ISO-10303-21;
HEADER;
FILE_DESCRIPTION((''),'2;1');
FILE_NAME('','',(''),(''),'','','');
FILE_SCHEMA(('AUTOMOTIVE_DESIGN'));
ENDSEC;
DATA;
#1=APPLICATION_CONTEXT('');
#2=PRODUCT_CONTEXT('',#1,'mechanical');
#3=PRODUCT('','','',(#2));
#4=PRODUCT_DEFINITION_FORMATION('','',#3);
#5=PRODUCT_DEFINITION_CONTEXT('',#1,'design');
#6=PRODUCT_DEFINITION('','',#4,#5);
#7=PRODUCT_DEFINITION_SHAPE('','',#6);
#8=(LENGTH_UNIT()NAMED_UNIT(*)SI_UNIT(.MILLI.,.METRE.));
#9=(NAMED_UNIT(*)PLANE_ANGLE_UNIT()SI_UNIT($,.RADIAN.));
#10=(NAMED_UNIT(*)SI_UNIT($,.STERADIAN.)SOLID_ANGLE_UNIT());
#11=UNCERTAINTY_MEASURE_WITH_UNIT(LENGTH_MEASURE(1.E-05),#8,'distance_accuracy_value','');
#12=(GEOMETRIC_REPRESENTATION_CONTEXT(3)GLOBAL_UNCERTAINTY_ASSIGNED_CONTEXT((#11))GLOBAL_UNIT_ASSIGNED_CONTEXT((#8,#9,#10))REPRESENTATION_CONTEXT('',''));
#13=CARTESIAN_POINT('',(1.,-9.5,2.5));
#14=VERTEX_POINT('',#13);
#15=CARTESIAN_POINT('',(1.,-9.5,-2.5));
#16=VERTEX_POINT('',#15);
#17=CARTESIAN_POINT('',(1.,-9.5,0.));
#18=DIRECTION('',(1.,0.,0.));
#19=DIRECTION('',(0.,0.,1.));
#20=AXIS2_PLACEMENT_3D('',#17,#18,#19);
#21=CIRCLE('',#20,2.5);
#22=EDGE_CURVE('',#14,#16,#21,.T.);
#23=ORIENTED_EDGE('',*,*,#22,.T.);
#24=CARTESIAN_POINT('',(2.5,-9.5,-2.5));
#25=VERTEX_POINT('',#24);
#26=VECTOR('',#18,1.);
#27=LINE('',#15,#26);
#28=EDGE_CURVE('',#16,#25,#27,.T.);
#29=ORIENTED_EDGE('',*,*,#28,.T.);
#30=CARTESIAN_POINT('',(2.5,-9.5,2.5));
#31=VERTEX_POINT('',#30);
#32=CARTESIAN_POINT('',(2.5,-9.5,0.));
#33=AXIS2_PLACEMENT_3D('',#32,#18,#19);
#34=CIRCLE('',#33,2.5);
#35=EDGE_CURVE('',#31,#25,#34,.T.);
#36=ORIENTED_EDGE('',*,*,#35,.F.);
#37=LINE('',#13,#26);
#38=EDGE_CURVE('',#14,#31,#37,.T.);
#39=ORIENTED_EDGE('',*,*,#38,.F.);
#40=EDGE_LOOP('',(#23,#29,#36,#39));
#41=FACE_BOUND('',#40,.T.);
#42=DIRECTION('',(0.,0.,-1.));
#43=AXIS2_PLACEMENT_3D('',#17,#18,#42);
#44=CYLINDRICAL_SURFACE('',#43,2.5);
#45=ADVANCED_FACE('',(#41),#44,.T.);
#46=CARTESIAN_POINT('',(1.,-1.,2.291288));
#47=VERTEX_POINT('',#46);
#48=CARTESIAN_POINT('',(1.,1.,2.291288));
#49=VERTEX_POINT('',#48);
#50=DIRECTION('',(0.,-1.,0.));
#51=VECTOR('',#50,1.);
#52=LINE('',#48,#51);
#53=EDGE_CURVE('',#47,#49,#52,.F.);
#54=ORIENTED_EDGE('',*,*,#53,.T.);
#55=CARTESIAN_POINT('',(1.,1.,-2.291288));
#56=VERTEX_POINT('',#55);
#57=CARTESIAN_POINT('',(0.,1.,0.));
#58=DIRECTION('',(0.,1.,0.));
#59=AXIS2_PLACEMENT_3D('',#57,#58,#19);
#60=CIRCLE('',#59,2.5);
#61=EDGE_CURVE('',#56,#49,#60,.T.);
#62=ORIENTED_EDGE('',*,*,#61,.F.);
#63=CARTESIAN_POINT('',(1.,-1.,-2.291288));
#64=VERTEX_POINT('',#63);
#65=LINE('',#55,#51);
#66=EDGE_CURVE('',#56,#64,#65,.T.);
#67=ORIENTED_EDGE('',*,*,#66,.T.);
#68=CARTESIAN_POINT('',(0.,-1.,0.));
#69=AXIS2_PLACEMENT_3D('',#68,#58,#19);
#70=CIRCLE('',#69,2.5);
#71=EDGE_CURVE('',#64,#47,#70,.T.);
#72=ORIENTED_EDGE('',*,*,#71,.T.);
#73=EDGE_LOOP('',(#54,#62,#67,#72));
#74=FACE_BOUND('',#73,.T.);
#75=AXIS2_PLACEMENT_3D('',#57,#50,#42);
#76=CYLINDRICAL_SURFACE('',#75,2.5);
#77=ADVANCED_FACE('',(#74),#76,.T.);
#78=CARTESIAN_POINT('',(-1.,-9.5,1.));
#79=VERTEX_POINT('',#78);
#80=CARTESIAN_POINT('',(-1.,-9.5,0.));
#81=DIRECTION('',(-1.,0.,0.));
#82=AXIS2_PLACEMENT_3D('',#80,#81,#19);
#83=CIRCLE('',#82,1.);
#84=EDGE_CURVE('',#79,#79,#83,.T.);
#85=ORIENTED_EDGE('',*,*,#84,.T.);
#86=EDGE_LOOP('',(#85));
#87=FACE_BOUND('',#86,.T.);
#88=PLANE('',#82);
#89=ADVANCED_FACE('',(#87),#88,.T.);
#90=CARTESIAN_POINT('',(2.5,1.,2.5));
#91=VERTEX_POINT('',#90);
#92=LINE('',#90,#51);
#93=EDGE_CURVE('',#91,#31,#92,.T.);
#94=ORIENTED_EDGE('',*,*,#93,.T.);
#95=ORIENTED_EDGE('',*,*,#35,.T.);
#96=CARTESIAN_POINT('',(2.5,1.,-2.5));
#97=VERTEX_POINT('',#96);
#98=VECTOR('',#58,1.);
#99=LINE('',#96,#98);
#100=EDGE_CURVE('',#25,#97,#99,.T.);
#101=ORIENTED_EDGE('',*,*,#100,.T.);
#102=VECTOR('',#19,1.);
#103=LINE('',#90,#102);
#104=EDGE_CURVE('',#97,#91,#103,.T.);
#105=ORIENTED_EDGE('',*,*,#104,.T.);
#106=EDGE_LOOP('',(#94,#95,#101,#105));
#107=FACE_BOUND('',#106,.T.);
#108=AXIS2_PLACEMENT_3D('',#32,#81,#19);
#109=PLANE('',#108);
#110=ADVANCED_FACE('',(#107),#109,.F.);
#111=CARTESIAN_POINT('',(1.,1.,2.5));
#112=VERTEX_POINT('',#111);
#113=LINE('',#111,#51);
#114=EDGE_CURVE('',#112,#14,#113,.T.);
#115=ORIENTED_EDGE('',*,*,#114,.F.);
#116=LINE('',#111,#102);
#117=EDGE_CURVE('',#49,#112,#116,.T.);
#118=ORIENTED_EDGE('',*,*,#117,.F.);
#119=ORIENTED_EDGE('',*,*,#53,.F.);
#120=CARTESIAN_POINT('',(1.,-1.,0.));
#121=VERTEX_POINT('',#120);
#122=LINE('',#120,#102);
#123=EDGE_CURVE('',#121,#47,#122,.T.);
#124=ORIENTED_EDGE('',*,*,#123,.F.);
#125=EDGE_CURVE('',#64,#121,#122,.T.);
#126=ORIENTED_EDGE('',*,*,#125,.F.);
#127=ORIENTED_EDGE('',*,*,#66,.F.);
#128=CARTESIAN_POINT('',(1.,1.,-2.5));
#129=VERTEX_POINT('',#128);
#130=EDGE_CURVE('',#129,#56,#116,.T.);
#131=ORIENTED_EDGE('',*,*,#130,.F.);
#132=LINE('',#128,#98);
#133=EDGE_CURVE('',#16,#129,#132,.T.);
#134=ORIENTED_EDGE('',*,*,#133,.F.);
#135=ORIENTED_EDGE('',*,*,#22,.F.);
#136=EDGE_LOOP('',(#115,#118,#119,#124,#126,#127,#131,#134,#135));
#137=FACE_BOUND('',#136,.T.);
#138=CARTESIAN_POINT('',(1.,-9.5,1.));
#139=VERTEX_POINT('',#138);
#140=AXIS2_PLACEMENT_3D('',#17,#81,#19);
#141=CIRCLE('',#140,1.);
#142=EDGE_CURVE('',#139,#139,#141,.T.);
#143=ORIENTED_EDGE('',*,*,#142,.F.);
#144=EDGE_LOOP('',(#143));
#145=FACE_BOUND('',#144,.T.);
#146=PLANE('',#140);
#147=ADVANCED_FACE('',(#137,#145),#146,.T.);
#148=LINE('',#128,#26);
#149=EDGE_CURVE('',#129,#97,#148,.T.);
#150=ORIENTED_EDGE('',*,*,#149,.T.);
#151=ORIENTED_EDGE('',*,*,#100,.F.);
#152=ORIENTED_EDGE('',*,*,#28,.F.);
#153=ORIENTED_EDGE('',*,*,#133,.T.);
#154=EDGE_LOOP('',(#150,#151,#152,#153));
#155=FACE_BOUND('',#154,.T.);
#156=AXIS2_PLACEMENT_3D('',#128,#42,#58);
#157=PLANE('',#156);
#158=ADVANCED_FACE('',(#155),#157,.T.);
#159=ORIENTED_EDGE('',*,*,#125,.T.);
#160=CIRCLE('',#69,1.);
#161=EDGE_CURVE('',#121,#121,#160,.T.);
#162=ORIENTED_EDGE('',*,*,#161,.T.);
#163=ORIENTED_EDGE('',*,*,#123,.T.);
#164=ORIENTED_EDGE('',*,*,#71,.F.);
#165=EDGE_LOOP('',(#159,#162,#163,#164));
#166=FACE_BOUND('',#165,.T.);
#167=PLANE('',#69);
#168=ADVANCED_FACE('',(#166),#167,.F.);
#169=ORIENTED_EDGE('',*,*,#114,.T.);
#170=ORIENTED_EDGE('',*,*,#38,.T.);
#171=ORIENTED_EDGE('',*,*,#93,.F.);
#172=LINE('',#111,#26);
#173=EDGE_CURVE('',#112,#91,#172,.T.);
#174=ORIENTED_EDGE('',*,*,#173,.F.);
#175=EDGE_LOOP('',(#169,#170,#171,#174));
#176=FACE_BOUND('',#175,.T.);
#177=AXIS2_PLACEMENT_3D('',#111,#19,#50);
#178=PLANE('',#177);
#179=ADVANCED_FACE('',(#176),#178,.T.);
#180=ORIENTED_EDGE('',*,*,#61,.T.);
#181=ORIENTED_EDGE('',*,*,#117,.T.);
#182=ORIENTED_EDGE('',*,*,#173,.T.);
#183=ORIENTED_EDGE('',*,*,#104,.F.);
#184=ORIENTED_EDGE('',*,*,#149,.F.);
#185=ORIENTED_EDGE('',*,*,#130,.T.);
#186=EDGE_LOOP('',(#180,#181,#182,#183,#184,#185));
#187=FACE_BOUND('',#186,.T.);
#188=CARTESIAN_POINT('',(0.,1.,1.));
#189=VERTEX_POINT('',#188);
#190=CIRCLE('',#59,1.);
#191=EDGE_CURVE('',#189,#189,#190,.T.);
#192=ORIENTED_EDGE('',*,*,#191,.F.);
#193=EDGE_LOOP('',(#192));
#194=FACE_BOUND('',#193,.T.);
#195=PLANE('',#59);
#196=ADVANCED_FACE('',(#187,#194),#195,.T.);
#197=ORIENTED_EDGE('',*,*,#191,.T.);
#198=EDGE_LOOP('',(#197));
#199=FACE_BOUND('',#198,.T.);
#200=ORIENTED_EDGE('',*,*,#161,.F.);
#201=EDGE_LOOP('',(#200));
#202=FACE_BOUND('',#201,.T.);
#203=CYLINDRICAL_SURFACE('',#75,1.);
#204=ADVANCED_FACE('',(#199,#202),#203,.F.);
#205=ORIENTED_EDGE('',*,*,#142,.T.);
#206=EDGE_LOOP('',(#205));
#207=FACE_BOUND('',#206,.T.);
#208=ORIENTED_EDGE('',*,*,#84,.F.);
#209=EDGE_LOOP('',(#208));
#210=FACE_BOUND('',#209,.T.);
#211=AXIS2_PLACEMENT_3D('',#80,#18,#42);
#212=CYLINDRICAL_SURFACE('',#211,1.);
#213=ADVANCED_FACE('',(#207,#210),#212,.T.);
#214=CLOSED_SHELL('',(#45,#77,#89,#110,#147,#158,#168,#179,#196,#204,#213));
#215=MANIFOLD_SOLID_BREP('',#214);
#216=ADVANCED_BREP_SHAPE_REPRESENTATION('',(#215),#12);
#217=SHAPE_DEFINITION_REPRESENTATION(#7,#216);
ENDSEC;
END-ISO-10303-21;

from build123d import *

# Parameters (mm, degrees)
SKETCH1_R           = 2.5
SKETCH1_R_2         = 1
BOSS_EXTRUDE1_DEPTH = 1
BOSS_EXTRUDE2_DEPTH = 1.5
SKETCH5_R           = 1
BOSS_EXTRUDE3_DEPTH = 2


with BuildPart() as part:
    # Sketch1 → Boss-Extrude1 (new, symmetric)
    with BuildSketch(Plane(origin=(0, 0, 0), x_dir=(1, 0, 0), z_dir=(0, 1, 0))):
        with Locations(Location((0, 0, 0), (0, 0, 270))):
            Circle(SKETCH1_R)
        with Locations(Location((0, 0, 0), (0, 0, 270))):
            Circle(SKETCH1_R_2, mode=Mode.SUBTRACT)
    extrude(amount=BOSS_EXTRUDE1_DEPTH, both=True)

    # Sketch2 → Boss-Extrude2 (add)
    with BuildSketch(Plane(origin=(2.5, 0, 0), x_dir=(0, 0, -1), z_dir=(1, 0, 0))):
        with BuildLine():
            Line((-2.5, 1), (2.5, 1))
            Line((2.5, 1), (2.5, -9.5))
            ThreePointArc((2.5, -9.5), (0, -12), (-2.5, -9.5))
            Line((-2.5, -9.5), (-2.5, 1))
        make_face()
    extrude(amount=-BOSS_EXTRUDE2_DEPTH)

    # Sketch5 → Boss-Extrude3 (add)
    with BuildSketch(Plane.ZY.offset(-1)):
        with Locations((0, -9.5)):
            Circle(SKETCH5_R)
    extrude(amount=BOSS_EXTRUDE3_DEPTH)


solid = part.part
